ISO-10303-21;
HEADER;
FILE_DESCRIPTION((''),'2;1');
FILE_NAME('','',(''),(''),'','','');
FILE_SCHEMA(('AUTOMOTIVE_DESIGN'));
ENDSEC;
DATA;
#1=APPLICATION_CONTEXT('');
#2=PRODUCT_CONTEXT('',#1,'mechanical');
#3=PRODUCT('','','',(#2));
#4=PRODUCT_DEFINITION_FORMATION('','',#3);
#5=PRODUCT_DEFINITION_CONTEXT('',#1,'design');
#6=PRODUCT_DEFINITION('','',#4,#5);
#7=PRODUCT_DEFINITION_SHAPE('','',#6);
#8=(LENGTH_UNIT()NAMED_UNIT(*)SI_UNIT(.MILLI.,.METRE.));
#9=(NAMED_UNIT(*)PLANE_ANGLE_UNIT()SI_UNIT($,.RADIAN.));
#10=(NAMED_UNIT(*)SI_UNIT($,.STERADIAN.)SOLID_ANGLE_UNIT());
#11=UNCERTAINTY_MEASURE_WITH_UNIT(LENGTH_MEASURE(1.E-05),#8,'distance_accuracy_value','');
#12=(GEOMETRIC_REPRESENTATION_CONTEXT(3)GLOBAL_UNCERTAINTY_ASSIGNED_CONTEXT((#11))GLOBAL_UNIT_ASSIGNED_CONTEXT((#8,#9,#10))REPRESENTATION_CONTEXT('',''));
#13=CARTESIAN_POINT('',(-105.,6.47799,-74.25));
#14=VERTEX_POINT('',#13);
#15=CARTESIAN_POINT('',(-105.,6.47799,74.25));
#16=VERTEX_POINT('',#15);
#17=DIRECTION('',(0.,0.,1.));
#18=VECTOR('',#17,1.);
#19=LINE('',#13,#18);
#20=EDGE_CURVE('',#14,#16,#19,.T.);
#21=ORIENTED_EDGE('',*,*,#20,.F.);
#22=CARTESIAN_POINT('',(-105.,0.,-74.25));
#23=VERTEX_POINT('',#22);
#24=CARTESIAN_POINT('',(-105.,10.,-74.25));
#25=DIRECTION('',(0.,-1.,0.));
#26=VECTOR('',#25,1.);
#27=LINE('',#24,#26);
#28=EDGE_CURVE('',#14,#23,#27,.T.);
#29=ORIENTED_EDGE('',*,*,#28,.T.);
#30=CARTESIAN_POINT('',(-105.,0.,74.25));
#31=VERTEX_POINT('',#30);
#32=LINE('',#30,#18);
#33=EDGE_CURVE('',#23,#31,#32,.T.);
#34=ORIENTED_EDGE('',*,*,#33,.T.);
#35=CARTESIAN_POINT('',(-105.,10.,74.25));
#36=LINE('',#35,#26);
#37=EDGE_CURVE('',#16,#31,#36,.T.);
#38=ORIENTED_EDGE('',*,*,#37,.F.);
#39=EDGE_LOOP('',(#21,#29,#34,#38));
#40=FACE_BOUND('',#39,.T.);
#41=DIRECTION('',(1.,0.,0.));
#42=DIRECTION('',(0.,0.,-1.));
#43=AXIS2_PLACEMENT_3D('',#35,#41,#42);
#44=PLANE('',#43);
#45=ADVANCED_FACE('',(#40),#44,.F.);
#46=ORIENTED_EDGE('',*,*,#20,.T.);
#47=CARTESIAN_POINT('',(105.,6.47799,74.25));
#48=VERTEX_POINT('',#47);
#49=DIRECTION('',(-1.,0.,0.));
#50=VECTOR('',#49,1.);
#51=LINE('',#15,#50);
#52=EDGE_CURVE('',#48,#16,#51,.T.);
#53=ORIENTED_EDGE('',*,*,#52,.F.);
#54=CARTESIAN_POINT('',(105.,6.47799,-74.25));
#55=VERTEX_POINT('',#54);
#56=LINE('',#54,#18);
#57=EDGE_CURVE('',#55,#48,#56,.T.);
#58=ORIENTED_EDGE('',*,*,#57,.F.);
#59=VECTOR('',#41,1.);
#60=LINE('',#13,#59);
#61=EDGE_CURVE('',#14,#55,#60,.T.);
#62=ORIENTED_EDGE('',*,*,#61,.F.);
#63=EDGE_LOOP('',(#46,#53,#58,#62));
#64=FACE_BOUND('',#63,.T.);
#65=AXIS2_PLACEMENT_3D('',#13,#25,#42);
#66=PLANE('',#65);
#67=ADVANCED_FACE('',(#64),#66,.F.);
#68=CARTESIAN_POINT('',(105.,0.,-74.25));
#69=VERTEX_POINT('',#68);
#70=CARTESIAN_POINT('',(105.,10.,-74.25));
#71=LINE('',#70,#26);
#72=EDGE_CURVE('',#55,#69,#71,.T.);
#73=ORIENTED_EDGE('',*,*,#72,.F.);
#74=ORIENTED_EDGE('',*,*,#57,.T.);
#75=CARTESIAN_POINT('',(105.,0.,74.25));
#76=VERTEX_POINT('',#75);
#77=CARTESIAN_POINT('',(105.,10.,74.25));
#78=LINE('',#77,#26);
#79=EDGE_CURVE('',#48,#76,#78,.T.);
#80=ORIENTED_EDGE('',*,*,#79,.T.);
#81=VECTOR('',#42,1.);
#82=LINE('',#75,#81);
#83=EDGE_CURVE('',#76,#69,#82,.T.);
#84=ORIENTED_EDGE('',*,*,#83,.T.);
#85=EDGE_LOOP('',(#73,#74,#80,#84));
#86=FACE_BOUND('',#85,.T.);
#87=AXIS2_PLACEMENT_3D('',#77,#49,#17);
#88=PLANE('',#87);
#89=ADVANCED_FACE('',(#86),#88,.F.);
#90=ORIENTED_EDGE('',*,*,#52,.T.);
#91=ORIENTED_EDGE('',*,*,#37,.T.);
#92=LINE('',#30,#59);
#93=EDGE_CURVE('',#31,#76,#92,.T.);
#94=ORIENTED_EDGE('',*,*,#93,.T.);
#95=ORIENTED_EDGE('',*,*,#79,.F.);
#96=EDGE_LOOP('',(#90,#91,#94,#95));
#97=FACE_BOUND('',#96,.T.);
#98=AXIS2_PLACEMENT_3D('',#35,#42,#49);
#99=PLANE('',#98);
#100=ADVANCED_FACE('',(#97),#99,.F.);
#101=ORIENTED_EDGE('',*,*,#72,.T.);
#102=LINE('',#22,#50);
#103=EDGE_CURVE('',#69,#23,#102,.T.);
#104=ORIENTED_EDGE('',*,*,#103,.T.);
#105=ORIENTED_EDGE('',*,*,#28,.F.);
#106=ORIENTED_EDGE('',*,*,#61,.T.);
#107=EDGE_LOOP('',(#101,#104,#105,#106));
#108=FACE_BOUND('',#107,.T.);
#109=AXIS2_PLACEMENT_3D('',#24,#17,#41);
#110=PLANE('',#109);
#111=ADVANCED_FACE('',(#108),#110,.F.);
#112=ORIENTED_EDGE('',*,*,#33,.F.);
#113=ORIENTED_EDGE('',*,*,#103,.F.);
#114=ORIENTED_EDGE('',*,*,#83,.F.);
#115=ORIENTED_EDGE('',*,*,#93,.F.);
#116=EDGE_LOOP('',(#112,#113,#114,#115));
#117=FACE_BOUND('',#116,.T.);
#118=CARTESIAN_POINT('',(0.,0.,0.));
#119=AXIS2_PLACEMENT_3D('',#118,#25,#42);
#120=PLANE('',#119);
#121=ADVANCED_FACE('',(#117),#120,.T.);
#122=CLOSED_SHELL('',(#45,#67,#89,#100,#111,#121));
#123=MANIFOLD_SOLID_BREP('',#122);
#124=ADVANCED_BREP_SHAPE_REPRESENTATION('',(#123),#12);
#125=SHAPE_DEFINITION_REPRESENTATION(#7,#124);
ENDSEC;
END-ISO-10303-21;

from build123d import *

# Parameters (mm, degrees)
SKETCH1_W               = 210
SKETCH1_H               = 148.5
BOSS_EXTRUDE1_DEPTH     = 10
CUT_EXTRUDE1_DEPTH      = 183.146232462
CUT_EXTRUDE1_DEPTH_BACK = 183.146232462
SKETCH2_W               = 210
SKETCH2_H               = 3.522009996


with BuildPart() as part:
    # Sketch1 → Boss-Extrude1 (new body)
    with BuildSketch(Plane(origin=(0, 0, 0), x_dir=(1, 0, 0), z_dir=(0, 1, 0))):
        Rectangle(SKETCH1_W, SKETCH1_H)
    extrude(amount=BOSS_EXTRUDE1_DEPTH)

    # Sketch2 → Cut-Extrude1 (cut, two sides: drawn at the far end of the back side and taken through both)
    with BuildSketch(Plane.XY.offset(74.25).offset(-CUT_EXTRUDE1_DEPTH_BACK)):
        with Locations((0, 8.238995002)):
            Rectangle(SKETCH2_W, SKETCH2_H)
    extrude(amount=CUT_EXTRUDE1_DEPTH + CUT_EXTRUDE1_DEPTH_BACK, mode=Mode.SUBTRACT)


solid = part.part
